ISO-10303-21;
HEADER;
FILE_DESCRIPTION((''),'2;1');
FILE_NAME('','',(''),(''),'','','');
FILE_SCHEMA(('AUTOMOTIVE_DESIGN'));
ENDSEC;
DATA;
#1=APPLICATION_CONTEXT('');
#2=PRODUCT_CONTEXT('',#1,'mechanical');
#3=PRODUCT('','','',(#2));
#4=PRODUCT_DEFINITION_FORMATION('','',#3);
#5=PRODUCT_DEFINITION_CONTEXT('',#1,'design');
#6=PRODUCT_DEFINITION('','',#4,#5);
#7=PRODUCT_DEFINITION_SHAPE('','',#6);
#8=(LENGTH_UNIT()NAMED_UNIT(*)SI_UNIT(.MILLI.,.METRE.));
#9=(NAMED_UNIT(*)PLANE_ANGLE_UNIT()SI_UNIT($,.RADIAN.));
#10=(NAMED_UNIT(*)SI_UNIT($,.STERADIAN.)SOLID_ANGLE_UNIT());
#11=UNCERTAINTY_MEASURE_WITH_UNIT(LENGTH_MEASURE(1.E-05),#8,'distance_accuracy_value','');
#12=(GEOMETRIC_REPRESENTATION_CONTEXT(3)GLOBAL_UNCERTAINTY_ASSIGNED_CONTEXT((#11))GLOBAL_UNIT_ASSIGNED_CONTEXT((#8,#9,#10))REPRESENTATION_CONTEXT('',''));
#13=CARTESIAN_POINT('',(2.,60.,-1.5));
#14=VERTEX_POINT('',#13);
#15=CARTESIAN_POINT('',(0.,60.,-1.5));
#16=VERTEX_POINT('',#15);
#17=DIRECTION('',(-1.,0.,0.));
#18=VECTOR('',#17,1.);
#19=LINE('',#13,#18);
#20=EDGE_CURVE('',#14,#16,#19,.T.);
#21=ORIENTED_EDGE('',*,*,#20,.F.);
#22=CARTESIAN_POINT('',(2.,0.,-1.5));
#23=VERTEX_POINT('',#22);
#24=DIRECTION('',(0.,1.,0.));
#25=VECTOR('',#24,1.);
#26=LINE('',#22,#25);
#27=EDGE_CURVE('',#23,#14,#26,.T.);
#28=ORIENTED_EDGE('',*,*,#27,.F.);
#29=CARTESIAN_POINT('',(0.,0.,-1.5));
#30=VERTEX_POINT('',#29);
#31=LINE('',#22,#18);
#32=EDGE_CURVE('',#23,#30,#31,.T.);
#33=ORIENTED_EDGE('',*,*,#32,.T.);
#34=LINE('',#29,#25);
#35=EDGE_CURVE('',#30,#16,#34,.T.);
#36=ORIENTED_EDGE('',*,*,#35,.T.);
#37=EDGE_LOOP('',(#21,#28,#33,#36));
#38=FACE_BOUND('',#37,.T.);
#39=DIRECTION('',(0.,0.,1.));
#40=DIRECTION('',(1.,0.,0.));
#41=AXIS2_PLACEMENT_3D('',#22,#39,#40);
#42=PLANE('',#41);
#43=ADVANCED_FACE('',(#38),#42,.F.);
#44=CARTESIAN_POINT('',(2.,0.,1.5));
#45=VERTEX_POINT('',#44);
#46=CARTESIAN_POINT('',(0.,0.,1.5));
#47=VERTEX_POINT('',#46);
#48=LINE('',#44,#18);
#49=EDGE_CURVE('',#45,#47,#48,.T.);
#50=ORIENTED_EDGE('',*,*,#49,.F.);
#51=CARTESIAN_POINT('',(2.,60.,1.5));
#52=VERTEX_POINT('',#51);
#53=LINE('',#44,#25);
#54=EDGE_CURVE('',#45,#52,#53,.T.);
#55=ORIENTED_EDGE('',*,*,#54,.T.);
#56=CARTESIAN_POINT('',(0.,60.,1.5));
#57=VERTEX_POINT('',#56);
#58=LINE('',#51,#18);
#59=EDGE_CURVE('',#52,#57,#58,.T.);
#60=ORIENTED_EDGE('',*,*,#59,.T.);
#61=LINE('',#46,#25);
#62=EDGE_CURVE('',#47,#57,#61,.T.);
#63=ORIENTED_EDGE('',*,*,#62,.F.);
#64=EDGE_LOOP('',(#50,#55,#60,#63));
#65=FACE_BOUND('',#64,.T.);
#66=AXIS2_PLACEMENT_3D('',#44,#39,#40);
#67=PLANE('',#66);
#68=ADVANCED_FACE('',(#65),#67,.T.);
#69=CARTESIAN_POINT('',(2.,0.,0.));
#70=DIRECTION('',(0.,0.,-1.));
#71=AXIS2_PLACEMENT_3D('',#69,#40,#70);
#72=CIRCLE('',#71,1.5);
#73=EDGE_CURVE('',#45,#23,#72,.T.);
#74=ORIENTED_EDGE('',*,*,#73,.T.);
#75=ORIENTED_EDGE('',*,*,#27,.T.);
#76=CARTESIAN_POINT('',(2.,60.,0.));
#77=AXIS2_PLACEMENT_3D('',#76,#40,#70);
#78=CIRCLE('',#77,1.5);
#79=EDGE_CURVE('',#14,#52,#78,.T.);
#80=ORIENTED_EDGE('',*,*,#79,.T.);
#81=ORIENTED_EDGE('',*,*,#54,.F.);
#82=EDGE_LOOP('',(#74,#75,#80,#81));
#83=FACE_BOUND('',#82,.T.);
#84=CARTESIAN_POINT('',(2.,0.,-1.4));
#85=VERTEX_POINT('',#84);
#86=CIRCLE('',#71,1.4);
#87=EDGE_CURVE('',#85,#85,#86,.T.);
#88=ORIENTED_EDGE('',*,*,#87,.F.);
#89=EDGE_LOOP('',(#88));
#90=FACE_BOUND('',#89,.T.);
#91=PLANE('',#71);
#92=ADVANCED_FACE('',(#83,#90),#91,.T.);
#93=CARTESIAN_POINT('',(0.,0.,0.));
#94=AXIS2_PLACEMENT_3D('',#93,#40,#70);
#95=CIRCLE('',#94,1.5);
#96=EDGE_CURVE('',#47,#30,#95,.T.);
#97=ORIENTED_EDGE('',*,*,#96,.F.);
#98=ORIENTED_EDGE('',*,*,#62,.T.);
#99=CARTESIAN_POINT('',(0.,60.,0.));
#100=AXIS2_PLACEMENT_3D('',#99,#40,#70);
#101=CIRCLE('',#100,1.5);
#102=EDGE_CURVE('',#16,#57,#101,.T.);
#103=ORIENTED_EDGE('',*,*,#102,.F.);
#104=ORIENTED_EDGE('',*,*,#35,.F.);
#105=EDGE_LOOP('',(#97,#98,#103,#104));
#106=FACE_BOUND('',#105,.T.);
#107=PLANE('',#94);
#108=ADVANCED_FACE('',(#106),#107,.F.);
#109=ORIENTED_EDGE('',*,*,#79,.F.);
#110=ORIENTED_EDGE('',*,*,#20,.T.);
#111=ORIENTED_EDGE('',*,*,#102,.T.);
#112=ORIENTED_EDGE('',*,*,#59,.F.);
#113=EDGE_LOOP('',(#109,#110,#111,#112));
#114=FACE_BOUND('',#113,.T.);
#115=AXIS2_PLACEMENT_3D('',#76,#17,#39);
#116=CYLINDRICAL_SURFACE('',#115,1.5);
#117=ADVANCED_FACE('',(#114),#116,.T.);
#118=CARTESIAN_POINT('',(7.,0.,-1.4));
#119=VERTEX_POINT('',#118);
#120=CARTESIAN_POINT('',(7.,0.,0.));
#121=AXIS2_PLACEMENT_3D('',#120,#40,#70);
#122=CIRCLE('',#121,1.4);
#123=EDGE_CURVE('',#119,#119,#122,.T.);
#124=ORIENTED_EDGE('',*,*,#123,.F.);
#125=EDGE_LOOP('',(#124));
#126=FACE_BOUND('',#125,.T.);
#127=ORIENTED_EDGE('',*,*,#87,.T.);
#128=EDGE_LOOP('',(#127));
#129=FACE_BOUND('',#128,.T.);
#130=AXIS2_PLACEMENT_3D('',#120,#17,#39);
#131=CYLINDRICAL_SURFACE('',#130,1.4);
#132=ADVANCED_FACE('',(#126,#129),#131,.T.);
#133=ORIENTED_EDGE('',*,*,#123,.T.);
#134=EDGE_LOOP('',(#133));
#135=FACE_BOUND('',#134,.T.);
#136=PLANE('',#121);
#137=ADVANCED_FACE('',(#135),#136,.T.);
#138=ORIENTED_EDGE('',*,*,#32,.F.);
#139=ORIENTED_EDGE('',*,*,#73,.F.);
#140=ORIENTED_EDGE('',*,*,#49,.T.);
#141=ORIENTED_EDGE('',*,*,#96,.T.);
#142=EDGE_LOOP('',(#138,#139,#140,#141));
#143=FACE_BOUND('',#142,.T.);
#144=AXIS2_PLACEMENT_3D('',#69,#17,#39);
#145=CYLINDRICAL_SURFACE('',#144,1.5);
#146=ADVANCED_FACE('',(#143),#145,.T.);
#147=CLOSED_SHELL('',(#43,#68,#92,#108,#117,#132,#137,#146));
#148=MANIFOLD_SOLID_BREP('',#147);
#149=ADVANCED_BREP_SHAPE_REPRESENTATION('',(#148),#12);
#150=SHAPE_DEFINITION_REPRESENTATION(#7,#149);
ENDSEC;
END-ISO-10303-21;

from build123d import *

# Parameters (mm, degrees)
BOSS_EXTRUDE1_DEPTH = 2
SKETCH3_R           = 1.4
BOSS_EXTRUDE3_DEPTH = 5


with BuildPart() as part:
    # Sketch1 → Boss-Extrude1 (new body)
    with BuildSketch(Plane(origin=(0, 0, 0), x_dir=(0, 0, -1), z_dir=(1, 0, 0))):
        with BuildLine():
            Line((-1.5, 0), (-1.5, 60))
            ThreePointArc((-1.5, 60), (0, 61.5), (1.5, 60))
            Line((1.5, 60), (1.5, 0))
            ThreePointArc((1.5, 0), (0, -1.5), (-1.5, 0))
        make_face()
    extrude(amount=BOSS_EXTRUDE1_DEPTH)

    # Sketch3 → Boss-Extrude3 (add)
    with BuildSketch(Plane(origin=(2, 0, 0), x_dir=(0, 0, -1), z_dir=(1, 0, 0))):
        Circle(SKETCH3_R)
    extrude(amount=BOSS_EXTRUDE3_DEPTH)


solid = part.part
